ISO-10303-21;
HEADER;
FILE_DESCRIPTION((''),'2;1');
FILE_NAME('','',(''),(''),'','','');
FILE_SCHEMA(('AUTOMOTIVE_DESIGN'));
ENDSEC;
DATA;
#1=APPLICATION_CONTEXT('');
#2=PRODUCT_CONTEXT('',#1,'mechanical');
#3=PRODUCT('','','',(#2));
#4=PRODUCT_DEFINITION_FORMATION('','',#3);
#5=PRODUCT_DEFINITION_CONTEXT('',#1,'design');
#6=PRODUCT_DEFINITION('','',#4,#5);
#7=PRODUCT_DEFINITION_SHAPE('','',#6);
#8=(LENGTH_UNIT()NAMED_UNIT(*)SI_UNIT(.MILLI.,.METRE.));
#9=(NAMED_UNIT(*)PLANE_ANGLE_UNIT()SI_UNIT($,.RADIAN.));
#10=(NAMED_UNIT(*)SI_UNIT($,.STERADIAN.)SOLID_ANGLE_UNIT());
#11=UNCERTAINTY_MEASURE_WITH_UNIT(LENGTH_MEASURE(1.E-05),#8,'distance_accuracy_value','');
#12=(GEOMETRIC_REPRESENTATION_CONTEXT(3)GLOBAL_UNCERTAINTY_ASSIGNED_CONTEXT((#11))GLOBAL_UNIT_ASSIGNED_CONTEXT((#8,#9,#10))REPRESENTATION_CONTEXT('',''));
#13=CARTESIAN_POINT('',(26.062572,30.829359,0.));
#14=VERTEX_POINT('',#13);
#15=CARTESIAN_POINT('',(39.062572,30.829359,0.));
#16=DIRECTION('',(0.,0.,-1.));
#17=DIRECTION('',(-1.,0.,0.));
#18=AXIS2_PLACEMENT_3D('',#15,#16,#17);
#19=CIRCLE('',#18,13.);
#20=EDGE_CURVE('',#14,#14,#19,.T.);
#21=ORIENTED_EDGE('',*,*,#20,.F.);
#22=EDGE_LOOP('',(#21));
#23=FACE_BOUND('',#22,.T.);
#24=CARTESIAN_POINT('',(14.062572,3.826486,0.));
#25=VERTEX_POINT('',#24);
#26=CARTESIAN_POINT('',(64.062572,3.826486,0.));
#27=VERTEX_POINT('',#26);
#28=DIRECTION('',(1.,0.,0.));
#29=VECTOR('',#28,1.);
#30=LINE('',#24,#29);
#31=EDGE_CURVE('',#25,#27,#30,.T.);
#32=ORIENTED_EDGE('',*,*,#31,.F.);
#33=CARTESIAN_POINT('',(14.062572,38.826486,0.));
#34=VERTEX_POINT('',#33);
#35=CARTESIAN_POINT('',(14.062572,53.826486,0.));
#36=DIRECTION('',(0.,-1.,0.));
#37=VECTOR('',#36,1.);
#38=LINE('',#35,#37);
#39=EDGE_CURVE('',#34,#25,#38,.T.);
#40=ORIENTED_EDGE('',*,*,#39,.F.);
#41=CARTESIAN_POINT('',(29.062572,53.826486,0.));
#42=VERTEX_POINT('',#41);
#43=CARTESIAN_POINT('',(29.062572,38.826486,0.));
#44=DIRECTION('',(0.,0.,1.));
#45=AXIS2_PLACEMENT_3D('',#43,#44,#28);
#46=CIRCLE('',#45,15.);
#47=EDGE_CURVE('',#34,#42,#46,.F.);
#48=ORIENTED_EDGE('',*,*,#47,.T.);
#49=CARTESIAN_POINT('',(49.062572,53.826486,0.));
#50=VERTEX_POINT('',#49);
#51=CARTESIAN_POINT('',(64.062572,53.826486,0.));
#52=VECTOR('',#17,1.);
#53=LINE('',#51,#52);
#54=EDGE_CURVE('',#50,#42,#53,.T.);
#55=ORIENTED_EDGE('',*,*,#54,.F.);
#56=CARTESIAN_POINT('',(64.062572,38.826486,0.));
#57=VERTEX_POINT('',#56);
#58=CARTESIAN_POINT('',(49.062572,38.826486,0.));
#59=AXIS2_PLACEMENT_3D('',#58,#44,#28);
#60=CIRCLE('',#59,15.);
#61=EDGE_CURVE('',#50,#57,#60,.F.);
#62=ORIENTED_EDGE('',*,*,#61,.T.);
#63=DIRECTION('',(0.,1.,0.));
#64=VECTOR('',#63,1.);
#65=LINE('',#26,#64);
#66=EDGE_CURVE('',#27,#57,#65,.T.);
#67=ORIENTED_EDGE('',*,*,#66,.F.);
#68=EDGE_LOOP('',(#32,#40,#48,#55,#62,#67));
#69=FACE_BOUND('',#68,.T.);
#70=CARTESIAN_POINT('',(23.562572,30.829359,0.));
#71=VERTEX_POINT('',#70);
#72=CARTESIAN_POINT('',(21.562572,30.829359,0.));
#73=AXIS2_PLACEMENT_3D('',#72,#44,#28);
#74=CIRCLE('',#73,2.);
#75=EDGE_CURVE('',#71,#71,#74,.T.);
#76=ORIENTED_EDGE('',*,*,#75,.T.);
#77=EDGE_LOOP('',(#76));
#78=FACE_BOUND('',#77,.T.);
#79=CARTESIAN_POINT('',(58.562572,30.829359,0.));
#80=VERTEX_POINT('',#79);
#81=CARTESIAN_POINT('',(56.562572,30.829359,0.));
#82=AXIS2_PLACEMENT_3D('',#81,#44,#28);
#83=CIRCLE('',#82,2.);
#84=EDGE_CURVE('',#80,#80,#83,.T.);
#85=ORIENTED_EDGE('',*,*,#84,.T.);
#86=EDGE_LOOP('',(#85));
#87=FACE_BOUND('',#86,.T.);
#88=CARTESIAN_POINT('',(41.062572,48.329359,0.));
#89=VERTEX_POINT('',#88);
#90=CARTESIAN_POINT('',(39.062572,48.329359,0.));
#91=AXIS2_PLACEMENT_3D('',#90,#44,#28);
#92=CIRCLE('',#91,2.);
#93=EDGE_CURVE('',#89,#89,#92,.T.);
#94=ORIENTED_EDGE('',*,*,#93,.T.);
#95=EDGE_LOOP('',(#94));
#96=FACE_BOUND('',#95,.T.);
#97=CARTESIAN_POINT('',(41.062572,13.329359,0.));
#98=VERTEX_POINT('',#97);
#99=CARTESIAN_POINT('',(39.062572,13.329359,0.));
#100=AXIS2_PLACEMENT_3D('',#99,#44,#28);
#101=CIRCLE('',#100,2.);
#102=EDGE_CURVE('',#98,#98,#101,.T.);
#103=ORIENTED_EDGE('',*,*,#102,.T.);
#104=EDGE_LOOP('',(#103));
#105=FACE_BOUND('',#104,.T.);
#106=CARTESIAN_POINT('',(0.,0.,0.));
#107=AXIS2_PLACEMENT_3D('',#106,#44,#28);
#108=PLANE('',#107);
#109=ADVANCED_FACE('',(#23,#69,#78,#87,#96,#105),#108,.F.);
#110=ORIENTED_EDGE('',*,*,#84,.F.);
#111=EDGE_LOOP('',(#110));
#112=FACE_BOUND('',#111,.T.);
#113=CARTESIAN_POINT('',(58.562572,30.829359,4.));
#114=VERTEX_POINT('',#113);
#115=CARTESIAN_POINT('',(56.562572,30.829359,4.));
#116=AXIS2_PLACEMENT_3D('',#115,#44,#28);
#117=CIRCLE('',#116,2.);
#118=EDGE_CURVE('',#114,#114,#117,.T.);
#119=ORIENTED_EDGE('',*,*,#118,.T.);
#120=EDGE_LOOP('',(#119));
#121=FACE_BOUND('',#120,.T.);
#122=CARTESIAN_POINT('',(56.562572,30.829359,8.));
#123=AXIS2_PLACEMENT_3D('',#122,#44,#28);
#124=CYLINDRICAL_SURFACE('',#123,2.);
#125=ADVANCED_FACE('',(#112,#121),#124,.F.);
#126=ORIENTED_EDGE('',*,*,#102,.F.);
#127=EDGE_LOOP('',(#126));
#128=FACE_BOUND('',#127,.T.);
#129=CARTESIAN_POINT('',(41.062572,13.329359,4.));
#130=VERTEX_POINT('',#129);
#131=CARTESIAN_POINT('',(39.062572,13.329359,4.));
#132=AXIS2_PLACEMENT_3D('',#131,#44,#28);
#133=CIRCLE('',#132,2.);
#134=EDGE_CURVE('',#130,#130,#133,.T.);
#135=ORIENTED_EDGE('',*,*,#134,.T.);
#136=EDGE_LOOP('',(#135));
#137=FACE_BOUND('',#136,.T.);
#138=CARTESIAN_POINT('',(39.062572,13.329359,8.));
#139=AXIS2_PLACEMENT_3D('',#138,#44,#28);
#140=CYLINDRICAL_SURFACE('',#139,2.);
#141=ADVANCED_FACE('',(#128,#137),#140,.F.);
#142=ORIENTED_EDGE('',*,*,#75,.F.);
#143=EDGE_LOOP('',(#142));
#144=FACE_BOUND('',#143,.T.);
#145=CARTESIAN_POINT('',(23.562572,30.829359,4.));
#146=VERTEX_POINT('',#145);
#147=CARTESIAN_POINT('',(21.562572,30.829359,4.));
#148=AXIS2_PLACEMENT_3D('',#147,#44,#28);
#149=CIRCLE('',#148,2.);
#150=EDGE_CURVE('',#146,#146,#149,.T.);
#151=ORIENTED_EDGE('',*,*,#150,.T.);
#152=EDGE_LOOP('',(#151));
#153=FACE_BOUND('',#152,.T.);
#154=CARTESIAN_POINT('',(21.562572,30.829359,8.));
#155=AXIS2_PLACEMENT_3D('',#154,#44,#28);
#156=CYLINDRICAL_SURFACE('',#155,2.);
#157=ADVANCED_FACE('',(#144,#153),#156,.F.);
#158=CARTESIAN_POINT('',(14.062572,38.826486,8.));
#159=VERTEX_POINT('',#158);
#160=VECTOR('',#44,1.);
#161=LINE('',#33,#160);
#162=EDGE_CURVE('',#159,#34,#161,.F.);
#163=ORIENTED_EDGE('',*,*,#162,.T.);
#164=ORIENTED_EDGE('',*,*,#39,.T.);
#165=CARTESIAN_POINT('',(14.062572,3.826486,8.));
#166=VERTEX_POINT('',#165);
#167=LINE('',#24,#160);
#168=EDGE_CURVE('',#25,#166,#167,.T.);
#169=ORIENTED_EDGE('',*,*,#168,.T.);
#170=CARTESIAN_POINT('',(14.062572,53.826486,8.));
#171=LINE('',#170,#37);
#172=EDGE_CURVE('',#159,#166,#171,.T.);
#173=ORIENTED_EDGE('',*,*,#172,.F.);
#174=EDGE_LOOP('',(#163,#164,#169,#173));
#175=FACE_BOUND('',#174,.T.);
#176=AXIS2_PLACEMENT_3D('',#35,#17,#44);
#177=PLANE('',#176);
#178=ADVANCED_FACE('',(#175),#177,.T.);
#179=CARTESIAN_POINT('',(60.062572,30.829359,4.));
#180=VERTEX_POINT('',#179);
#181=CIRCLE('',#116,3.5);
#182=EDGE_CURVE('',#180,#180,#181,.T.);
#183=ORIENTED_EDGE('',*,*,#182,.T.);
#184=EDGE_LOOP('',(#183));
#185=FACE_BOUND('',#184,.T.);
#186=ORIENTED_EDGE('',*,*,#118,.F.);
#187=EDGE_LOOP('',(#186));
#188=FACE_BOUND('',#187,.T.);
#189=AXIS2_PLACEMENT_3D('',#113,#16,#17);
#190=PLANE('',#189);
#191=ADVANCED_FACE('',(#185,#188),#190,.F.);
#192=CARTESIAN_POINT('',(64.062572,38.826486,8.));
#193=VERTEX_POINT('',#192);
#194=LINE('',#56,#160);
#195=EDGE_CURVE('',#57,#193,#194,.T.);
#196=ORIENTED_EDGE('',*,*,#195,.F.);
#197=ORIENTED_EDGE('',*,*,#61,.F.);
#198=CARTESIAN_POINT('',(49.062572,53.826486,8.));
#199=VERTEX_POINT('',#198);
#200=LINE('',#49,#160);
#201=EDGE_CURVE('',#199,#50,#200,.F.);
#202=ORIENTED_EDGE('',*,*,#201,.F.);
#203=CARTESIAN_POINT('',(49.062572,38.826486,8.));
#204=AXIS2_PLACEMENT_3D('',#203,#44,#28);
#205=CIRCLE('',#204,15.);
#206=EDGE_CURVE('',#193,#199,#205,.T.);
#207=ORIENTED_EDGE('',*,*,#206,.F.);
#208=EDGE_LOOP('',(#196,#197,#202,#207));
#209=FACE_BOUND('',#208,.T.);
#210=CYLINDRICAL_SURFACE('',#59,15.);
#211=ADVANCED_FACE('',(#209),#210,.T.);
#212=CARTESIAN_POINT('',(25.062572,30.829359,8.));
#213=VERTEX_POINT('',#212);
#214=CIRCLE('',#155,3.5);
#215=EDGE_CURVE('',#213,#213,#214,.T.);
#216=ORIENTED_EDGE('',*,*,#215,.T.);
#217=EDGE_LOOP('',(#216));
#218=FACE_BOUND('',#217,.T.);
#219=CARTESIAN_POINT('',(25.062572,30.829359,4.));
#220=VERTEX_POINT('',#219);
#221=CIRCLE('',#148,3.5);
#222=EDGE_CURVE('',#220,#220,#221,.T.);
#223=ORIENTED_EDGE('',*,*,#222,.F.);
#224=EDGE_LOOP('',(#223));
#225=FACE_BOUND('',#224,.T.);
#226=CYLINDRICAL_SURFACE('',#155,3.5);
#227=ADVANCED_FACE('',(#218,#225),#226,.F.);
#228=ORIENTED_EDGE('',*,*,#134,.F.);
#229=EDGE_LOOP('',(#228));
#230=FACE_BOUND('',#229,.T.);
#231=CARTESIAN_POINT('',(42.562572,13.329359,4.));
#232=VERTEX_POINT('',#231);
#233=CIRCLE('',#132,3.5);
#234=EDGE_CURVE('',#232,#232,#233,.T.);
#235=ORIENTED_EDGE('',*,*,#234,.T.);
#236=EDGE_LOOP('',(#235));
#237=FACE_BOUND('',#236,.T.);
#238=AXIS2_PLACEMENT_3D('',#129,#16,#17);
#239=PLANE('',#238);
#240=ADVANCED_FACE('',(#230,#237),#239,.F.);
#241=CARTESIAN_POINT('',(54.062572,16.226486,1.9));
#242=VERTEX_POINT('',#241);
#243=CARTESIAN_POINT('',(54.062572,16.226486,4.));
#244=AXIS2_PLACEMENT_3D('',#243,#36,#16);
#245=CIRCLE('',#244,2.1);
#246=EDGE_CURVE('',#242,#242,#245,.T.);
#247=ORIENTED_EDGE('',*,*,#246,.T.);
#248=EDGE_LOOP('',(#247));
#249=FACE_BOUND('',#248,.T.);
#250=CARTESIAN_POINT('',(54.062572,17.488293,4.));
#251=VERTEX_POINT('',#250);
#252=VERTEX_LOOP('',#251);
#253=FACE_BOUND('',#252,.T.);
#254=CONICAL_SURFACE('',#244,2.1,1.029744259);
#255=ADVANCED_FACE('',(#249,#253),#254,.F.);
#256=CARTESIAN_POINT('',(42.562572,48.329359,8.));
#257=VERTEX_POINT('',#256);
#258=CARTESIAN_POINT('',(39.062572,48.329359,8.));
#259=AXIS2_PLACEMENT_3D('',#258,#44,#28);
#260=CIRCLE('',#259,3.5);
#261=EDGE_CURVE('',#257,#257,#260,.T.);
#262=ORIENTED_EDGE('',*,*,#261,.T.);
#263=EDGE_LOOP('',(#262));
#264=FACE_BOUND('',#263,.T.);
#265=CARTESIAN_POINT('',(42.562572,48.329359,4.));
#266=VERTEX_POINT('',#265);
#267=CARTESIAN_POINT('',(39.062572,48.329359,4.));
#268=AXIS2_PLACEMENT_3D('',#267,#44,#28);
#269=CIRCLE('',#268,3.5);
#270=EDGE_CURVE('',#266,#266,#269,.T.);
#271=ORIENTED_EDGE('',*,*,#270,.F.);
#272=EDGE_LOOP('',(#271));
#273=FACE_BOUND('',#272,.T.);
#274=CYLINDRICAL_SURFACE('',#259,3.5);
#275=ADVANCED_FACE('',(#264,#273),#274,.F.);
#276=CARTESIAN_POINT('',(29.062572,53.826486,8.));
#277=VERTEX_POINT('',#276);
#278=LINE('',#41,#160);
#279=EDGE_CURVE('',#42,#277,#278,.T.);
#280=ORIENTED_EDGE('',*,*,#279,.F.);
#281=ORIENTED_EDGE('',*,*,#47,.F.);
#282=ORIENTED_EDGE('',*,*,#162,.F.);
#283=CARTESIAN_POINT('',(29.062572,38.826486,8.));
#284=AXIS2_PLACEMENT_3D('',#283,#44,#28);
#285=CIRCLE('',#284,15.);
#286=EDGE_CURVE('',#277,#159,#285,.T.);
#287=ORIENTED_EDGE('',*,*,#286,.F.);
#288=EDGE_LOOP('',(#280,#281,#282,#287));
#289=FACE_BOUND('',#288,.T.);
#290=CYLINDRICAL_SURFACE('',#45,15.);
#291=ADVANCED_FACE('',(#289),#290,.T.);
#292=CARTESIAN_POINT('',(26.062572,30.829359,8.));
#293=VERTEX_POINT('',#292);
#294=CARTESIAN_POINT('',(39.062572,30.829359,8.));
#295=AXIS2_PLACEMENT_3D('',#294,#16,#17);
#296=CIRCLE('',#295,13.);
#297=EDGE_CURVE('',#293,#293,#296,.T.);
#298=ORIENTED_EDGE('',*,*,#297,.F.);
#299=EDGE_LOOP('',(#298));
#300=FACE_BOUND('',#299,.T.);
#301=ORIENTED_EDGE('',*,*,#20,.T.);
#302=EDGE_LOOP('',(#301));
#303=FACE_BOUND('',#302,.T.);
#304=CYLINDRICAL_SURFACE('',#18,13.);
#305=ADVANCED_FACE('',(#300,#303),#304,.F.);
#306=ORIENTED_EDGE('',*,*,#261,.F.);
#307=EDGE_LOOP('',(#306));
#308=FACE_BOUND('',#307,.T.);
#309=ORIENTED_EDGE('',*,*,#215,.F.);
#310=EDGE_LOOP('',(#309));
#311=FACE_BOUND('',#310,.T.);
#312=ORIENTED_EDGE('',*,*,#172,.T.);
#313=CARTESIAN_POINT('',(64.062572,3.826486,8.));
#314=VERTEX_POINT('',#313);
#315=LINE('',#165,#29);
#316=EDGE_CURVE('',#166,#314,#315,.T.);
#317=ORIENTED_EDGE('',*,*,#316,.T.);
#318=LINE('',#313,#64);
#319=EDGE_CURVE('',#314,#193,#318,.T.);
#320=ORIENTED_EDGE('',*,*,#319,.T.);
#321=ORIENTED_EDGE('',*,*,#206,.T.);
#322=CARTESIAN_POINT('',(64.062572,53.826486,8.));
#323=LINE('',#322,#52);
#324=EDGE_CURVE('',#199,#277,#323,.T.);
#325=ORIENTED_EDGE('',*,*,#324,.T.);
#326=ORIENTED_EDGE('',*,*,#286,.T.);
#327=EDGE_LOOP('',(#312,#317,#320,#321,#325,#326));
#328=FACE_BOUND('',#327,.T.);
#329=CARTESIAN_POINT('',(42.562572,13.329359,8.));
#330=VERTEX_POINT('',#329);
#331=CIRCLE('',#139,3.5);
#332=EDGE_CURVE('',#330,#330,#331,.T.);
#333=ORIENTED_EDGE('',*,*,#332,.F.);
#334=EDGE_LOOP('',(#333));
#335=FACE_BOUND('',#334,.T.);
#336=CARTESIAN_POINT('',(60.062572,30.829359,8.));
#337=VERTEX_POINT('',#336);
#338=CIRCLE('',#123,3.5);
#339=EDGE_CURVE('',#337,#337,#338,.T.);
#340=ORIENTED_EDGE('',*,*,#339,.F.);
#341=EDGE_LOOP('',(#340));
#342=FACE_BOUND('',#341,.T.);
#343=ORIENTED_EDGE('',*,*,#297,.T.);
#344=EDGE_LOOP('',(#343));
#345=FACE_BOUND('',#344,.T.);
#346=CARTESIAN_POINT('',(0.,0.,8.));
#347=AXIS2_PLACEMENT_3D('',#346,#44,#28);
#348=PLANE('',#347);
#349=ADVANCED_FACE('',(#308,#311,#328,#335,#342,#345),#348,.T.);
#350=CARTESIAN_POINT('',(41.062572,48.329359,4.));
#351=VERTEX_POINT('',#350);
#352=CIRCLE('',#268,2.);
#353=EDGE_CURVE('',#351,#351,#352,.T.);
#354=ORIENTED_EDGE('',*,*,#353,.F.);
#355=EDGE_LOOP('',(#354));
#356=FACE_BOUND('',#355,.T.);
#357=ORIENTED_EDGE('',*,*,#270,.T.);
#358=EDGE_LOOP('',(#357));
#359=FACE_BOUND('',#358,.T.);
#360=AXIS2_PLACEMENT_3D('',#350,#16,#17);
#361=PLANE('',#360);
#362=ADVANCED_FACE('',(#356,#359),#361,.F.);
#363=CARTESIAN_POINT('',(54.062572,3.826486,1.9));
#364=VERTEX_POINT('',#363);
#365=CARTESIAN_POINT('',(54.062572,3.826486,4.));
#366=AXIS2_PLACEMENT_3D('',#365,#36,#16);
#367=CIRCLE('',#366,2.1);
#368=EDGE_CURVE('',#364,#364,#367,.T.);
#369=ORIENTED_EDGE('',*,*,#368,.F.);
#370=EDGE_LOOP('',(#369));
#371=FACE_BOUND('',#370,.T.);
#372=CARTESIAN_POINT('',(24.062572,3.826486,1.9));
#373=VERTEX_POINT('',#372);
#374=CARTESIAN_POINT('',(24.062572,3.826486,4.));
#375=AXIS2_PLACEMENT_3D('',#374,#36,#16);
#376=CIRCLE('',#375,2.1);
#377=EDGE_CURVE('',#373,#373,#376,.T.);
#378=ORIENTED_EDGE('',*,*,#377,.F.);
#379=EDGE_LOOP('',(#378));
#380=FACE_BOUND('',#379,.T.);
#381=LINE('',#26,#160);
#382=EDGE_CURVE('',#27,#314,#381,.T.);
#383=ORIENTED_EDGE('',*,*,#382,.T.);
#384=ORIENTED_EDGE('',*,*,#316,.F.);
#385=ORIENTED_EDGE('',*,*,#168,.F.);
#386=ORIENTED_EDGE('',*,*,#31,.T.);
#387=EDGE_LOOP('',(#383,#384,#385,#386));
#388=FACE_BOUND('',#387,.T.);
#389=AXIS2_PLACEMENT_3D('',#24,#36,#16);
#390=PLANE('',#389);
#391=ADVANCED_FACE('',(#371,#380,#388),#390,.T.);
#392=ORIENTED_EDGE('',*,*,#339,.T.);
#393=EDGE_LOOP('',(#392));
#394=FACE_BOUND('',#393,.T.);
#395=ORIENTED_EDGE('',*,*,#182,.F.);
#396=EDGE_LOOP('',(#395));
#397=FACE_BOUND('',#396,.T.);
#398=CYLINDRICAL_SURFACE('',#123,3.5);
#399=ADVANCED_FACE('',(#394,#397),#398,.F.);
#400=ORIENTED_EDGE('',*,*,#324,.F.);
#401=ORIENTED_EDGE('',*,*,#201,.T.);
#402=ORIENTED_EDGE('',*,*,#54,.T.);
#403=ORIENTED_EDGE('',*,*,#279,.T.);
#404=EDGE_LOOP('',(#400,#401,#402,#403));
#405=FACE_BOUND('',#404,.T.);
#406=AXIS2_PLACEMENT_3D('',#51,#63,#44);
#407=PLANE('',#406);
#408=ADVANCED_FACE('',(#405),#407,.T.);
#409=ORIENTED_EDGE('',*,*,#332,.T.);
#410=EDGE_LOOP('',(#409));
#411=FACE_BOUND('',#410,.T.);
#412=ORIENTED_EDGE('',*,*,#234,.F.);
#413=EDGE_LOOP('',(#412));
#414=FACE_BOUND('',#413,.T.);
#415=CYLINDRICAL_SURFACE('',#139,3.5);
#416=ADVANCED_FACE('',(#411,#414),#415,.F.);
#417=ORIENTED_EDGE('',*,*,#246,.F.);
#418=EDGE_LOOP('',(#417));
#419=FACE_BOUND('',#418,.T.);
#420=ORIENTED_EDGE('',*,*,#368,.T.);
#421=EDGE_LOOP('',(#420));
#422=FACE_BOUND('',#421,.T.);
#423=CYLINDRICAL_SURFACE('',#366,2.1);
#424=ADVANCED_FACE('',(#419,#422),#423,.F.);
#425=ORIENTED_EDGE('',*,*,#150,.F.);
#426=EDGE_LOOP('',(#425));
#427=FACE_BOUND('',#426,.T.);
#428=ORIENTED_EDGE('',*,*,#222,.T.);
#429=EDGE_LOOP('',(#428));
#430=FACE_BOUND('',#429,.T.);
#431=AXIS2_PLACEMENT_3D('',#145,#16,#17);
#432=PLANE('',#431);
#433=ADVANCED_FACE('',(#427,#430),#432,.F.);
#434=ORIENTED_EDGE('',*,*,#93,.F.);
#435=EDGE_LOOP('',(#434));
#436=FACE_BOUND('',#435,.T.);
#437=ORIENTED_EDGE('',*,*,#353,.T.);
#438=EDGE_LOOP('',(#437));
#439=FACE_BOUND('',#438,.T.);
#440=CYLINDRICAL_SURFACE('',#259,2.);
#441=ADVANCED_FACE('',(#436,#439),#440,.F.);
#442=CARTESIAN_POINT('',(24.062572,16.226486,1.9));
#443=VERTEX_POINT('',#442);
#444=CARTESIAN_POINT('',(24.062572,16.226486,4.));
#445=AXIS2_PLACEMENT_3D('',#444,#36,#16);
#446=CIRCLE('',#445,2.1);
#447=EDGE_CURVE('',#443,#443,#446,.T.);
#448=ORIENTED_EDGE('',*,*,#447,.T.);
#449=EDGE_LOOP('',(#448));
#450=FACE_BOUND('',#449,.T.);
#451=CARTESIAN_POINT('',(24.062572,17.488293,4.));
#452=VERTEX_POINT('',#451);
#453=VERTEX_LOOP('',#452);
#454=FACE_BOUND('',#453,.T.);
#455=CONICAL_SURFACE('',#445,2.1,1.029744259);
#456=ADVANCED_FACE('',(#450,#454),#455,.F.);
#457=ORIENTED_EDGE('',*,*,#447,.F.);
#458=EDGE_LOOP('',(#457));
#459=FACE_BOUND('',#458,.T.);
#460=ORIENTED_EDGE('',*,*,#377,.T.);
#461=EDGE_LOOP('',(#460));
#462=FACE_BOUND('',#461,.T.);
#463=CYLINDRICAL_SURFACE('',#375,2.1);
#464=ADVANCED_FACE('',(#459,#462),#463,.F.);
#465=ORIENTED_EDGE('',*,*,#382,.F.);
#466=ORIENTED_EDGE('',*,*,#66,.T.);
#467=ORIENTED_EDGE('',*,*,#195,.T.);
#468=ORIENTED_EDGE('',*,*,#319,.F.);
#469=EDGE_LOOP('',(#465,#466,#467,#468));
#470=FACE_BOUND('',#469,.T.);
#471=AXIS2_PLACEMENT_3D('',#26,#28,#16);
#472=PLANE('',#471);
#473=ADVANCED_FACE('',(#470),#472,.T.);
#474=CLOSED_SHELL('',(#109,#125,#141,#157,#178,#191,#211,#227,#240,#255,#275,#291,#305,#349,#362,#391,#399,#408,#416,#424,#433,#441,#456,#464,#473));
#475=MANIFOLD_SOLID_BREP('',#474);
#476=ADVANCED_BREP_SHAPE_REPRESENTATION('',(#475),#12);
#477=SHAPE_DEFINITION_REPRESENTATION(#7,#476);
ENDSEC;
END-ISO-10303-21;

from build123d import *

# Parameters (mm, degrees)
SKETCH_1_W                     = 50
SKETCH_1_H                     = 50
EXTRUDE_1_DEPTH                = 8
HOLE_WIZARD_M22_1_D            = 26
HOLE_WIZARD_M3_5_1_D           = 4
HOLE_WIZARD_M3_5_1_CBORE_D     = 7
HOLE_WIZARD_M3_5_1_CBORE_DEPTH = 4
HOLE_WIZARD_4_2_4_2_1_D        = 4.2
HOLE_WIZARD_4_2_4_2_1_DEPTH    = 12.4
HOLE_WIZARD_4_2_4_2_1_TIP      = 1.2618073
FILLET_1_R                     = 15


with BuildPart() as part:
    # 草图1 → 凸台-拉伸1 (new body)
    with BuildSketch(Plane.XY.offset(8)):
        with Locations((39.062572137, 28.826485826)):
            Rectangle(SKETCH_1_W, SKETCH_1_H)
    extrude(amount=-EXTRUDE_1_DEPTH)

    # M22 间隙孔1 (through all)
    with Locations(Plane(origin=(0, 0, 0), x_dir=(-1, 0, 0), z_dir=(0, 0, -1))):
        with Locations((-39.062572137, 30.829359323)):
            Hole(HOLE_WIZARD_M22_1_D / 2)

    # M3.5 六角头机械螺钉的柱形沉头孔1 (through all)
    with Locations(Plane.XY.offset(8)):
        with Locations((39.062572137, 13.329359323), (39.062572137, 48.329359323), (56.562572137, 30.829359323), (21.562572137, 30.829359323)):
            CounterBoreHole(HOLE_WIZARD_M3_5_1_D / 2, HOLE_WIZARD_M3_5_1_CBORE_D / 2, HOLE_WIZARD_M3_5_1_CBORE_DEPTH)

    # Ø4.2 (4.2) 直径孔1
    with Locations(Plane(origin=(0, 3.826485826, 0), x_dir=(-1, 0, 0), z_dir=(0, -1, 0))):
        with Locations((-24.062572137, -4), (-54.062572137, -4)):
            Hole(HOLE_WIZARD_4_2_4_2_1_D / 2, depth=HOLE_WIZARD_4_2_4_2_1_DEPTH)
            with Locations((0, 0, -(HOLE_WIZARD_4_2_4_2_1_DEPTH + HOLE_WIZARD_4_2_4_2_1_TIP / 2))):  # 118° drill point
                Cone(0, HOLE_WIZARD_4_2_4_2_1_D / 2, HOLE_WIZARD_4_2_4_2_1_TIP, mode=Mode.SUBTRACT)

    # 圆角1
    fillet_1_edges = [part.edges().sort_by_distance(p)[0] for p in [
        (64.062572137, 53.826485826, 4),
        (14.062572137, 53.826485826, 4),
    ]]
    fillet(fillet_1_edges, radius=FILLET_1_R)


solid = part.part
